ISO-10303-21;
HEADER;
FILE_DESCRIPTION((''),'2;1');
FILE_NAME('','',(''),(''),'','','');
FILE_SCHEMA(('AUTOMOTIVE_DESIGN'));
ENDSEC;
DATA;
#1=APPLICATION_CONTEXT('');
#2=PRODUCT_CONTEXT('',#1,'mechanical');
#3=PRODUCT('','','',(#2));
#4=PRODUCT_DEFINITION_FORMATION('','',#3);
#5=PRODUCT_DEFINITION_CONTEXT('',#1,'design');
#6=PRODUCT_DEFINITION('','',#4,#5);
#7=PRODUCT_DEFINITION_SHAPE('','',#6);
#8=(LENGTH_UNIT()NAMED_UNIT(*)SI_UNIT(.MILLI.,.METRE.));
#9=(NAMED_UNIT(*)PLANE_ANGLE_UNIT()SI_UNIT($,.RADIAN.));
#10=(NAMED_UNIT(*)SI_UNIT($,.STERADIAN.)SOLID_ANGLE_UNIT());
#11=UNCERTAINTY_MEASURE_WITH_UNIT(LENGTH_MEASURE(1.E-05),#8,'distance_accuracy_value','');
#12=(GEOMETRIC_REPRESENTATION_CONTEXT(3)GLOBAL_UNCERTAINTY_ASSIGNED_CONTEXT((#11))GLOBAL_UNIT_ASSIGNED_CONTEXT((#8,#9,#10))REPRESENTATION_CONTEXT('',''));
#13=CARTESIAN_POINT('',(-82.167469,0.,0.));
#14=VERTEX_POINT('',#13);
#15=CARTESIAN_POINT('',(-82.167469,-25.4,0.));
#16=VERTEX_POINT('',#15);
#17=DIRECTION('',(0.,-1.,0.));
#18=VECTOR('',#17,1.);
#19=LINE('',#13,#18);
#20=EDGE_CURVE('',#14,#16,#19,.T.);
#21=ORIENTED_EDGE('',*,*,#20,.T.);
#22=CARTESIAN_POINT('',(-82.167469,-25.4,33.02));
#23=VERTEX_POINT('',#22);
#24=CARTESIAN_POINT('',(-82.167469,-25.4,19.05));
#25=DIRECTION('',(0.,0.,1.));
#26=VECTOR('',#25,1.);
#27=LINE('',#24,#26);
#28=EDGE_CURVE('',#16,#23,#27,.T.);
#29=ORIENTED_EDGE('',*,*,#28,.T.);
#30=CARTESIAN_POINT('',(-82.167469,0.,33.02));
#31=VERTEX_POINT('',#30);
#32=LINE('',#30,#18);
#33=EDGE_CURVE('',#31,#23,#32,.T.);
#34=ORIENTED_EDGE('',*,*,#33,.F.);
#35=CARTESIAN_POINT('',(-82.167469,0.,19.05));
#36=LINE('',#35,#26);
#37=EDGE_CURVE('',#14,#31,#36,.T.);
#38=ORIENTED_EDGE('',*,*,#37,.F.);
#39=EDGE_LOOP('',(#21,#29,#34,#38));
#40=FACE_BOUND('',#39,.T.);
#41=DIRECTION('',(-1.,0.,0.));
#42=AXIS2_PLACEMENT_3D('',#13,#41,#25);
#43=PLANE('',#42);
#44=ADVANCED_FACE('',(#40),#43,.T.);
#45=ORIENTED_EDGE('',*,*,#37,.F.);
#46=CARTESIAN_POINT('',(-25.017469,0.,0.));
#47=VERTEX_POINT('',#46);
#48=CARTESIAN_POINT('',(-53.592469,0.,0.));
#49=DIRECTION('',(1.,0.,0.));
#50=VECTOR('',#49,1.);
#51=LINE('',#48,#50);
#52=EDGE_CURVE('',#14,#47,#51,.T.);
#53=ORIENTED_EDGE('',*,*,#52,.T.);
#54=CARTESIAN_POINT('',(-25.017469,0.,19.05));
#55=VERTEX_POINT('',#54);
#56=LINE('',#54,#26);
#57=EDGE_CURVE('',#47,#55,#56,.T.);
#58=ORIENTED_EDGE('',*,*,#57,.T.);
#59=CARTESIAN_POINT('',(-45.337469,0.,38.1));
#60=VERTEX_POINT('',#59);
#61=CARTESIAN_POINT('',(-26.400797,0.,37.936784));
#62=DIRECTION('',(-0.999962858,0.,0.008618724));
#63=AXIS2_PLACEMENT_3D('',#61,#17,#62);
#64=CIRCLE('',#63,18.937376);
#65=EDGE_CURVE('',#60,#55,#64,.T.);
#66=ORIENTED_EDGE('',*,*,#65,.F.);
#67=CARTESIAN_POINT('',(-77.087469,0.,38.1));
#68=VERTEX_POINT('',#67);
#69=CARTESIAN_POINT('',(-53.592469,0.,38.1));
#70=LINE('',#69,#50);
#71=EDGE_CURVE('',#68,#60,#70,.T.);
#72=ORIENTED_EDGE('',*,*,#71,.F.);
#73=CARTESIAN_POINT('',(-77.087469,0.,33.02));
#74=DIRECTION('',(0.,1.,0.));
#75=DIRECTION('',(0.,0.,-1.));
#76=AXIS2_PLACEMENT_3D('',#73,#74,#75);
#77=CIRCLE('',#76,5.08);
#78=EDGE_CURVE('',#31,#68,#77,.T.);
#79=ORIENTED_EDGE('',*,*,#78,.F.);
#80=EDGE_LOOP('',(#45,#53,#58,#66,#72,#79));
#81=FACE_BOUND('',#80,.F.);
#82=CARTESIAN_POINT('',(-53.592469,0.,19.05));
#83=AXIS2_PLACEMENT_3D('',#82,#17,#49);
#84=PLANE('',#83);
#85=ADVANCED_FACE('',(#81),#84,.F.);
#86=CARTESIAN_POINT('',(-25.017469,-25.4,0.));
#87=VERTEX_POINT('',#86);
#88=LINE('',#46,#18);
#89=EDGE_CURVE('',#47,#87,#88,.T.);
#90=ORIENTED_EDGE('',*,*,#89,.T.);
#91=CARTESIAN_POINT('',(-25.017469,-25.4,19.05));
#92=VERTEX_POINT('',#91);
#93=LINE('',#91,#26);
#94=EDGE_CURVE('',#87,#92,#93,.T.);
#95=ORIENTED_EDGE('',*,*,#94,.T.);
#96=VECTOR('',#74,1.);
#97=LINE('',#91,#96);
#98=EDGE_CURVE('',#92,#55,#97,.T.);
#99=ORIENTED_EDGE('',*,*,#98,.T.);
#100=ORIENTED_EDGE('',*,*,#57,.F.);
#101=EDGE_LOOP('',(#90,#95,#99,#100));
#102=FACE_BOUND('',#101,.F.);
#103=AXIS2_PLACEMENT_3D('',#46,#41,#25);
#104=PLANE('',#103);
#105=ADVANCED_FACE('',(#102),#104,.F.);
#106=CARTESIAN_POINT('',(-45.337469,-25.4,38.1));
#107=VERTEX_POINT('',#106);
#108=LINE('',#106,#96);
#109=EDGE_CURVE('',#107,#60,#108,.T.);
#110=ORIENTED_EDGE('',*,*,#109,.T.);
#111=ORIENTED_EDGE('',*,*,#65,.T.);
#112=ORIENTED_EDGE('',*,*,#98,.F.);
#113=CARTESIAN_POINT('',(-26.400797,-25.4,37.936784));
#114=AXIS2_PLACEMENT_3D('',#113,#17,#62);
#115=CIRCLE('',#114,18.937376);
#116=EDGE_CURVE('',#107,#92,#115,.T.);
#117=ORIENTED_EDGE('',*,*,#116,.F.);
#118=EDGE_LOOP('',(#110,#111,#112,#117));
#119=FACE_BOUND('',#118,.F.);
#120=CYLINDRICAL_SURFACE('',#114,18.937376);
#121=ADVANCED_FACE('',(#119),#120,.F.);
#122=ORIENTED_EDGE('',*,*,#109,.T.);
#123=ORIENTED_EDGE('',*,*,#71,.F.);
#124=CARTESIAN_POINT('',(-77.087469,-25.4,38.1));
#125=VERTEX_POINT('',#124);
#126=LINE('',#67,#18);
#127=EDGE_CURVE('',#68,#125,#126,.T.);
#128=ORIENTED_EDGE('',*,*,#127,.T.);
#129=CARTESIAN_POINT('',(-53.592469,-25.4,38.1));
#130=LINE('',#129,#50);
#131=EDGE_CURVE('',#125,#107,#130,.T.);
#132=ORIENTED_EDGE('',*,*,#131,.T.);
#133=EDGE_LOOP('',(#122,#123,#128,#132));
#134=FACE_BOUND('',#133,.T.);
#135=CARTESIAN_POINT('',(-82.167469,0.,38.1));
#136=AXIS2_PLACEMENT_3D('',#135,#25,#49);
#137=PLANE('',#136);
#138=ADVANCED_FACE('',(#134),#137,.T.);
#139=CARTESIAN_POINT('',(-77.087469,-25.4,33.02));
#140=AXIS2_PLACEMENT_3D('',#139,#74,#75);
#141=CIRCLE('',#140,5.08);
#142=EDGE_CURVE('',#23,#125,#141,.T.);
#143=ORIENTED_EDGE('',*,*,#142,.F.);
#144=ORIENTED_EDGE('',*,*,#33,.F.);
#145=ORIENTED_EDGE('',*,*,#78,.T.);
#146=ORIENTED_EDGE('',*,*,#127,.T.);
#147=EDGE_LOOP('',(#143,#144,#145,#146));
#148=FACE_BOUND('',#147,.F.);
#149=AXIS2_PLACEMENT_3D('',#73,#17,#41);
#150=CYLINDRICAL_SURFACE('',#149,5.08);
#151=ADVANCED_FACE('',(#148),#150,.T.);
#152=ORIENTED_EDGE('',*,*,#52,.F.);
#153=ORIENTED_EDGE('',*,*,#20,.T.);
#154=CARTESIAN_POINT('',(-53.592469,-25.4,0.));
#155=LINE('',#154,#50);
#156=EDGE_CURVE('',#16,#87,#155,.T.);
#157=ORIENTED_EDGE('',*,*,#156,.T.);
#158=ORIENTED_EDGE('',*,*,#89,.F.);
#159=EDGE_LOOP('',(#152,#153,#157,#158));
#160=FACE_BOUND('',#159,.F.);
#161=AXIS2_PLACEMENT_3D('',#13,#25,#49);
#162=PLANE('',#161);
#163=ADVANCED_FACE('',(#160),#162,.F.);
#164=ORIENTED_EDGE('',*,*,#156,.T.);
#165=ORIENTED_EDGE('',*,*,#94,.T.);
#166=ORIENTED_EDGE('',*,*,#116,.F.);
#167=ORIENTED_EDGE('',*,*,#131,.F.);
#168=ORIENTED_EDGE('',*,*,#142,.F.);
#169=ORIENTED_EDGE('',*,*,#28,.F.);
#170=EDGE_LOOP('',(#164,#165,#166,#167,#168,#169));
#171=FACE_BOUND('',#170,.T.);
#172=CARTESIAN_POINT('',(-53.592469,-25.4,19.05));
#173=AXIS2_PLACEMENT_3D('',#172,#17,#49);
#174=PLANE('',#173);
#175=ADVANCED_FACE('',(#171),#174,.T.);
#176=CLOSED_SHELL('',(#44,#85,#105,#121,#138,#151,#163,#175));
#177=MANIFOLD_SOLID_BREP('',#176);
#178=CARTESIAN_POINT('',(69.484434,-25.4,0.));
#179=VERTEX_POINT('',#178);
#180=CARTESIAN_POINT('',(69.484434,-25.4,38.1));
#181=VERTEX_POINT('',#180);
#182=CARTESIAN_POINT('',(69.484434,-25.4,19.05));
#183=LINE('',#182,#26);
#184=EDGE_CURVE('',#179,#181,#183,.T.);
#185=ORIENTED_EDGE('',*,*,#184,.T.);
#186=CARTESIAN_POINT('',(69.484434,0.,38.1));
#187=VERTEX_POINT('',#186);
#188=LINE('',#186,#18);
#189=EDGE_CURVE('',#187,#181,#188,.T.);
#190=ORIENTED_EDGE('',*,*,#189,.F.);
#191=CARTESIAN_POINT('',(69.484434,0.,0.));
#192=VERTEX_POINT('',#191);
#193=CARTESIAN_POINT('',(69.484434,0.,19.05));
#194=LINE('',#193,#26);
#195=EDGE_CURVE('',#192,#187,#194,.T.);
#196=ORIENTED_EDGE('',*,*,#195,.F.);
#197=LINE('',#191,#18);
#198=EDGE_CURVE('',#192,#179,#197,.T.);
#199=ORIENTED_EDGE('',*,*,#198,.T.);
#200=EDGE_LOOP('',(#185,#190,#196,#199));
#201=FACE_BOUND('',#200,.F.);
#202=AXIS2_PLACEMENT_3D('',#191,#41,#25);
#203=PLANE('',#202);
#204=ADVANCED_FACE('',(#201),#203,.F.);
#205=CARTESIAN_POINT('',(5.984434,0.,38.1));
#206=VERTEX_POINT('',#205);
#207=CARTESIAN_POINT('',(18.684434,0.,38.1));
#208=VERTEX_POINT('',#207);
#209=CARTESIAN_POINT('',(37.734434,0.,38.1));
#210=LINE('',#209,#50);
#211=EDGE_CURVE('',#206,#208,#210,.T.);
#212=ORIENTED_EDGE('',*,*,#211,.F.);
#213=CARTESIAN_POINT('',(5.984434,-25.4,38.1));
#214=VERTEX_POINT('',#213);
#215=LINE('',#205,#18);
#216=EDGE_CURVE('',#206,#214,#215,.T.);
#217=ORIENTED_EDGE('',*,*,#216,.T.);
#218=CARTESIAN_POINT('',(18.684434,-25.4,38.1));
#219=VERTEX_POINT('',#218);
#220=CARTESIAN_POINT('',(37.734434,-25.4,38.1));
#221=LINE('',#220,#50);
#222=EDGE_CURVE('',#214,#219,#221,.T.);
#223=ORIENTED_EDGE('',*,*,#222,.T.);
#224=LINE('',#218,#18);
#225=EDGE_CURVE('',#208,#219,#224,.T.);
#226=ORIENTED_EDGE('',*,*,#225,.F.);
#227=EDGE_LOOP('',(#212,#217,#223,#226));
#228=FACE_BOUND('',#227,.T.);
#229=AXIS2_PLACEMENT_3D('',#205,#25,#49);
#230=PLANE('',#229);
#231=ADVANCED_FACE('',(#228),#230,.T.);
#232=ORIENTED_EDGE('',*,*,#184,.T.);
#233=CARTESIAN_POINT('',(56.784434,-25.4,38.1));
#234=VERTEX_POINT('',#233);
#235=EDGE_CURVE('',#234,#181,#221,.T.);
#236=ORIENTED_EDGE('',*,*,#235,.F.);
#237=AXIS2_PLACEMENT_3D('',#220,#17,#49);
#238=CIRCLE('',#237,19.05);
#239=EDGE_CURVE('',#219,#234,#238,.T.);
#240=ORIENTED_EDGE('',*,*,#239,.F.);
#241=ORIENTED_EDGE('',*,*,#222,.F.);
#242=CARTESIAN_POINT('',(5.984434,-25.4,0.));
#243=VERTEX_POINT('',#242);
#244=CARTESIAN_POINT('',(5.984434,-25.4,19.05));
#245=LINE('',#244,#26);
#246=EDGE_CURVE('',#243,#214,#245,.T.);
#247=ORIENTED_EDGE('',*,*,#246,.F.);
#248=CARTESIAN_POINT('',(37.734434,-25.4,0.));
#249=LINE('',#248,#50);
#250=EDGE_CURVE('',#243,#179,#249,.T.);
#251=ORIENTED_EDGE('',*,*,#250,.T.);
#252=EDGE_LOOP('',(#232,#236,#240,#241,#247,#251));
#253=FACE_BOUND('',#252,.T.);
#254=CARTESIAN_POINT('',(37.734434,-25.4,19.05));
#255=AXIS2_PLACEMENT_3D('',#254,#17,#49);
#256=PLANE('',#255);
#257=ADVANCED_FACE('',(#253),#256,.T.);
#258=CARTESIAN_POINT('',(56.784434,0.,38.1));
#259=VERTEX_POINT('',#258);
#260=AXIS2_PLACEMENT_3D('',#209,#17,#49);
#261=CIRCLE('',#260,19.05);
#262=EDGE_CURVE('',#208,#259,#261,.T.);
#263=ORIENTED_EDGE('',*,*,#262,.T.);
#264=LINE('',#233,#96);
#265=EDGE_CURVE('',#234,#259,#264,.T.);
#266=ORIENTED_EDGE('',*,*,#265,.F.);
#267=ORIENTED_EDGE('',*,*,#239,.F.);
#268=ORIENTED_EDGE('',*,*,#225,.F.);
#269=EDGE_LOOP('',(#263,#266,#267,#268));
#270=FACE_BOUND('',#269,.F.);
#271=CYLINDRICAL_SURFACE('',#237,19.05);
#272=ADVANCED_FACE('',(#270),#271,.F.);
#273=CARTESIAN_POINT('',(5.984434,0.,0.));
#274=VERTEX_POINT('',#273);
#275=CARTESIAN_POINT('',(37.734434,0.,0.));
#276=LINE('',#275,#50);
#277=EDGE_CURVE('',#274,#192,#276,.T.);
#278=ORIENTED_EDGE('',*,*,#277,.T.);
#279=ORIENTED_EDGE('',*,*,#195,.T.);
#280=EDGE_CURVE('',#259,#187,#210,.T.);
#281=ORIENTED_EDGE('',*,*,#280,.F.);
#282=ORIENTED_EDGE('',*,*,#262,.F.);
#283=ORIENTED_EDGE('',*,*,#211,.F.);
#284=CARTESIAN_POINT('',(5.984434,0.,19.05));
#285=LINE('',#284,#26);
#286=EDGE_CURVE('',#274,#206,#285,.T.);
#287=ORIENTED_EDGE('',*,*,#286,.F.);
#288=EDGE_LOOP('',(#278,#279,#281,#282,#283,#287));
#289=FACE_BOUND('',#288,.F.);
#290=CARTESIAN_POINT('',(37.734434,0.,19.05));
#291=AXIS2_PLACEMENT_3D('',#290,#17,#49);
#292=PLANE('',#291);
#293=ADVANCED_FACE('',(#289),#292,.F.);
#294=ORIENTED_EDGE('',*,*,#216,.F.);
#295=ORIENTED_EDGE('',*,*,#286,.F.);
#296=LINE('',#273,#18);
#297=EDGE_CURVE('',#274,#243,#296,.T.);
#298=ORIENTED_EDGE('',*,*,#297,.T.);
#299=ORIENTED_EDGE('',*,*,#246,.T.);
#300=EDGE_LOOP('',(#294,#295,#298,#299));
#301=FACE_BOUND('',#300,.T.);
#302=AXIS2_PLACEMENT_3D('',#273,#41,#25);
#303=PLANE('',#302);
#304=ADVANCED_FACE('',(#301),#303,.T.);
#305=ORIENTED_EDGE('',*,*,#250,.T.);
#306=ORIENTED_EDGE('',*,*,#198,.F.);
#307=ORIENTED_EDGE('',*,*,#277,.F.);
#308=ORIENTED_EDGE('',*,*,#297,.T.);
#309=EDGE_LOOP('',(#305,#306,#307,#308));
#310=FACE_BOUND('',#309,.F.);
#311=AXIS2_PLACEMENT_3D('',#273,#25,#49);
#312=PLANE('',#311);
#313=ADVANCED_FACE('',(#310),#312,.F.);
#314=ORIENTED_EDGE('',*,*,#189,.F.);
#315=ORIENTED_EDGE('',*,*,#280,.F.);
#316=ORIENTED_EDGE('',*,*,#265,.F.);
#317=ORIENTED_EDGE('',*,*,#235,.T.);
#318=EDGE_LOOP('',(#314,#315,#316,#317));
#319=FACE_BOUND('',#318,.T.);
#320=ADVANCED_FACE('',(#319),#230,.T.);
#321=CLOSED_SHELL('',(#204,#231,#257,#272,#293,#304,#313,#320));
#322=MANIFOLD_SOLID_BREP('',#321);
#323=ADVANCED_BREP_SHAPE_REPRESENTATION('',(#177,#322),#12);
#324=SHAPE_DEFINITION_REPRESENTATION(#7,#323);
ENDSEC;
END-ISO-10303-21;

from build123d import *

# Parameters (mm, degrees)
F0_W     = 57.15
F0_H     = 38.1
F1_DEPTH = 25.4
F2_R     = 5.08
F3_W     = 63.5
F3_H     = 38.1
F4_DEPTH = 25.4
F5_R     = 19.05
F6_DEPTH = 25.4
F8_DEPTH = 25.4


with BuildPart() as f1:
    # F0 (on Front) → F1 (new body)
    with BuildSketch(Plane.XZ):
        with Locations((-53.592469, 19.05)):
            Rectangle(F0_W, F0_H)
    extrude(amount=F1_DEPTH)

    # F2
    f2_edges = [f1.edges().sort_by_distance(p)[0] for p in [
        (-82.167469, -12.7, 38.1),
    ]]
    fillet(f2_edges, radius=F2_R)

    # F7 (on face) → F8 (cut)
    with BuildSketch(Plane.XZ.offset(25.4)):
        with BuildLine():
            Line((-25.017469, 38.1), (-45.337469, 38.1))
            ThreePointArc((-45.337469, 38.1), (-39.352847, 24.121264), (-25.017469, 19.05))
            Line((-25.017469, 19.05), (-25.017469, 38.1))
        make_face()
    extrude(amount=-F8_DEPTH, mode=Mode.SUBTRACT)


with BuildPart() as f4:
    # F3 (on Front) → F4 (new body)
    with BuildSketch(Plane.XZ):
        with Locations((37.734434, 19.05)):
            Rectangle(F3_W, F3_H)
    extrude(amount=F4_DEPTH)

    # F5 (on face) → F6 (cut)
    with BuildSketch(Plane.XZ.offset(25.4)):
        with Locations((37.734434, 38.1)):
            Circle(F5_R)
    extrude(amount=-F6_DEPTH, mode=Mode.SUBTRACT)


solid = Compound([f1.part, f4.part])
